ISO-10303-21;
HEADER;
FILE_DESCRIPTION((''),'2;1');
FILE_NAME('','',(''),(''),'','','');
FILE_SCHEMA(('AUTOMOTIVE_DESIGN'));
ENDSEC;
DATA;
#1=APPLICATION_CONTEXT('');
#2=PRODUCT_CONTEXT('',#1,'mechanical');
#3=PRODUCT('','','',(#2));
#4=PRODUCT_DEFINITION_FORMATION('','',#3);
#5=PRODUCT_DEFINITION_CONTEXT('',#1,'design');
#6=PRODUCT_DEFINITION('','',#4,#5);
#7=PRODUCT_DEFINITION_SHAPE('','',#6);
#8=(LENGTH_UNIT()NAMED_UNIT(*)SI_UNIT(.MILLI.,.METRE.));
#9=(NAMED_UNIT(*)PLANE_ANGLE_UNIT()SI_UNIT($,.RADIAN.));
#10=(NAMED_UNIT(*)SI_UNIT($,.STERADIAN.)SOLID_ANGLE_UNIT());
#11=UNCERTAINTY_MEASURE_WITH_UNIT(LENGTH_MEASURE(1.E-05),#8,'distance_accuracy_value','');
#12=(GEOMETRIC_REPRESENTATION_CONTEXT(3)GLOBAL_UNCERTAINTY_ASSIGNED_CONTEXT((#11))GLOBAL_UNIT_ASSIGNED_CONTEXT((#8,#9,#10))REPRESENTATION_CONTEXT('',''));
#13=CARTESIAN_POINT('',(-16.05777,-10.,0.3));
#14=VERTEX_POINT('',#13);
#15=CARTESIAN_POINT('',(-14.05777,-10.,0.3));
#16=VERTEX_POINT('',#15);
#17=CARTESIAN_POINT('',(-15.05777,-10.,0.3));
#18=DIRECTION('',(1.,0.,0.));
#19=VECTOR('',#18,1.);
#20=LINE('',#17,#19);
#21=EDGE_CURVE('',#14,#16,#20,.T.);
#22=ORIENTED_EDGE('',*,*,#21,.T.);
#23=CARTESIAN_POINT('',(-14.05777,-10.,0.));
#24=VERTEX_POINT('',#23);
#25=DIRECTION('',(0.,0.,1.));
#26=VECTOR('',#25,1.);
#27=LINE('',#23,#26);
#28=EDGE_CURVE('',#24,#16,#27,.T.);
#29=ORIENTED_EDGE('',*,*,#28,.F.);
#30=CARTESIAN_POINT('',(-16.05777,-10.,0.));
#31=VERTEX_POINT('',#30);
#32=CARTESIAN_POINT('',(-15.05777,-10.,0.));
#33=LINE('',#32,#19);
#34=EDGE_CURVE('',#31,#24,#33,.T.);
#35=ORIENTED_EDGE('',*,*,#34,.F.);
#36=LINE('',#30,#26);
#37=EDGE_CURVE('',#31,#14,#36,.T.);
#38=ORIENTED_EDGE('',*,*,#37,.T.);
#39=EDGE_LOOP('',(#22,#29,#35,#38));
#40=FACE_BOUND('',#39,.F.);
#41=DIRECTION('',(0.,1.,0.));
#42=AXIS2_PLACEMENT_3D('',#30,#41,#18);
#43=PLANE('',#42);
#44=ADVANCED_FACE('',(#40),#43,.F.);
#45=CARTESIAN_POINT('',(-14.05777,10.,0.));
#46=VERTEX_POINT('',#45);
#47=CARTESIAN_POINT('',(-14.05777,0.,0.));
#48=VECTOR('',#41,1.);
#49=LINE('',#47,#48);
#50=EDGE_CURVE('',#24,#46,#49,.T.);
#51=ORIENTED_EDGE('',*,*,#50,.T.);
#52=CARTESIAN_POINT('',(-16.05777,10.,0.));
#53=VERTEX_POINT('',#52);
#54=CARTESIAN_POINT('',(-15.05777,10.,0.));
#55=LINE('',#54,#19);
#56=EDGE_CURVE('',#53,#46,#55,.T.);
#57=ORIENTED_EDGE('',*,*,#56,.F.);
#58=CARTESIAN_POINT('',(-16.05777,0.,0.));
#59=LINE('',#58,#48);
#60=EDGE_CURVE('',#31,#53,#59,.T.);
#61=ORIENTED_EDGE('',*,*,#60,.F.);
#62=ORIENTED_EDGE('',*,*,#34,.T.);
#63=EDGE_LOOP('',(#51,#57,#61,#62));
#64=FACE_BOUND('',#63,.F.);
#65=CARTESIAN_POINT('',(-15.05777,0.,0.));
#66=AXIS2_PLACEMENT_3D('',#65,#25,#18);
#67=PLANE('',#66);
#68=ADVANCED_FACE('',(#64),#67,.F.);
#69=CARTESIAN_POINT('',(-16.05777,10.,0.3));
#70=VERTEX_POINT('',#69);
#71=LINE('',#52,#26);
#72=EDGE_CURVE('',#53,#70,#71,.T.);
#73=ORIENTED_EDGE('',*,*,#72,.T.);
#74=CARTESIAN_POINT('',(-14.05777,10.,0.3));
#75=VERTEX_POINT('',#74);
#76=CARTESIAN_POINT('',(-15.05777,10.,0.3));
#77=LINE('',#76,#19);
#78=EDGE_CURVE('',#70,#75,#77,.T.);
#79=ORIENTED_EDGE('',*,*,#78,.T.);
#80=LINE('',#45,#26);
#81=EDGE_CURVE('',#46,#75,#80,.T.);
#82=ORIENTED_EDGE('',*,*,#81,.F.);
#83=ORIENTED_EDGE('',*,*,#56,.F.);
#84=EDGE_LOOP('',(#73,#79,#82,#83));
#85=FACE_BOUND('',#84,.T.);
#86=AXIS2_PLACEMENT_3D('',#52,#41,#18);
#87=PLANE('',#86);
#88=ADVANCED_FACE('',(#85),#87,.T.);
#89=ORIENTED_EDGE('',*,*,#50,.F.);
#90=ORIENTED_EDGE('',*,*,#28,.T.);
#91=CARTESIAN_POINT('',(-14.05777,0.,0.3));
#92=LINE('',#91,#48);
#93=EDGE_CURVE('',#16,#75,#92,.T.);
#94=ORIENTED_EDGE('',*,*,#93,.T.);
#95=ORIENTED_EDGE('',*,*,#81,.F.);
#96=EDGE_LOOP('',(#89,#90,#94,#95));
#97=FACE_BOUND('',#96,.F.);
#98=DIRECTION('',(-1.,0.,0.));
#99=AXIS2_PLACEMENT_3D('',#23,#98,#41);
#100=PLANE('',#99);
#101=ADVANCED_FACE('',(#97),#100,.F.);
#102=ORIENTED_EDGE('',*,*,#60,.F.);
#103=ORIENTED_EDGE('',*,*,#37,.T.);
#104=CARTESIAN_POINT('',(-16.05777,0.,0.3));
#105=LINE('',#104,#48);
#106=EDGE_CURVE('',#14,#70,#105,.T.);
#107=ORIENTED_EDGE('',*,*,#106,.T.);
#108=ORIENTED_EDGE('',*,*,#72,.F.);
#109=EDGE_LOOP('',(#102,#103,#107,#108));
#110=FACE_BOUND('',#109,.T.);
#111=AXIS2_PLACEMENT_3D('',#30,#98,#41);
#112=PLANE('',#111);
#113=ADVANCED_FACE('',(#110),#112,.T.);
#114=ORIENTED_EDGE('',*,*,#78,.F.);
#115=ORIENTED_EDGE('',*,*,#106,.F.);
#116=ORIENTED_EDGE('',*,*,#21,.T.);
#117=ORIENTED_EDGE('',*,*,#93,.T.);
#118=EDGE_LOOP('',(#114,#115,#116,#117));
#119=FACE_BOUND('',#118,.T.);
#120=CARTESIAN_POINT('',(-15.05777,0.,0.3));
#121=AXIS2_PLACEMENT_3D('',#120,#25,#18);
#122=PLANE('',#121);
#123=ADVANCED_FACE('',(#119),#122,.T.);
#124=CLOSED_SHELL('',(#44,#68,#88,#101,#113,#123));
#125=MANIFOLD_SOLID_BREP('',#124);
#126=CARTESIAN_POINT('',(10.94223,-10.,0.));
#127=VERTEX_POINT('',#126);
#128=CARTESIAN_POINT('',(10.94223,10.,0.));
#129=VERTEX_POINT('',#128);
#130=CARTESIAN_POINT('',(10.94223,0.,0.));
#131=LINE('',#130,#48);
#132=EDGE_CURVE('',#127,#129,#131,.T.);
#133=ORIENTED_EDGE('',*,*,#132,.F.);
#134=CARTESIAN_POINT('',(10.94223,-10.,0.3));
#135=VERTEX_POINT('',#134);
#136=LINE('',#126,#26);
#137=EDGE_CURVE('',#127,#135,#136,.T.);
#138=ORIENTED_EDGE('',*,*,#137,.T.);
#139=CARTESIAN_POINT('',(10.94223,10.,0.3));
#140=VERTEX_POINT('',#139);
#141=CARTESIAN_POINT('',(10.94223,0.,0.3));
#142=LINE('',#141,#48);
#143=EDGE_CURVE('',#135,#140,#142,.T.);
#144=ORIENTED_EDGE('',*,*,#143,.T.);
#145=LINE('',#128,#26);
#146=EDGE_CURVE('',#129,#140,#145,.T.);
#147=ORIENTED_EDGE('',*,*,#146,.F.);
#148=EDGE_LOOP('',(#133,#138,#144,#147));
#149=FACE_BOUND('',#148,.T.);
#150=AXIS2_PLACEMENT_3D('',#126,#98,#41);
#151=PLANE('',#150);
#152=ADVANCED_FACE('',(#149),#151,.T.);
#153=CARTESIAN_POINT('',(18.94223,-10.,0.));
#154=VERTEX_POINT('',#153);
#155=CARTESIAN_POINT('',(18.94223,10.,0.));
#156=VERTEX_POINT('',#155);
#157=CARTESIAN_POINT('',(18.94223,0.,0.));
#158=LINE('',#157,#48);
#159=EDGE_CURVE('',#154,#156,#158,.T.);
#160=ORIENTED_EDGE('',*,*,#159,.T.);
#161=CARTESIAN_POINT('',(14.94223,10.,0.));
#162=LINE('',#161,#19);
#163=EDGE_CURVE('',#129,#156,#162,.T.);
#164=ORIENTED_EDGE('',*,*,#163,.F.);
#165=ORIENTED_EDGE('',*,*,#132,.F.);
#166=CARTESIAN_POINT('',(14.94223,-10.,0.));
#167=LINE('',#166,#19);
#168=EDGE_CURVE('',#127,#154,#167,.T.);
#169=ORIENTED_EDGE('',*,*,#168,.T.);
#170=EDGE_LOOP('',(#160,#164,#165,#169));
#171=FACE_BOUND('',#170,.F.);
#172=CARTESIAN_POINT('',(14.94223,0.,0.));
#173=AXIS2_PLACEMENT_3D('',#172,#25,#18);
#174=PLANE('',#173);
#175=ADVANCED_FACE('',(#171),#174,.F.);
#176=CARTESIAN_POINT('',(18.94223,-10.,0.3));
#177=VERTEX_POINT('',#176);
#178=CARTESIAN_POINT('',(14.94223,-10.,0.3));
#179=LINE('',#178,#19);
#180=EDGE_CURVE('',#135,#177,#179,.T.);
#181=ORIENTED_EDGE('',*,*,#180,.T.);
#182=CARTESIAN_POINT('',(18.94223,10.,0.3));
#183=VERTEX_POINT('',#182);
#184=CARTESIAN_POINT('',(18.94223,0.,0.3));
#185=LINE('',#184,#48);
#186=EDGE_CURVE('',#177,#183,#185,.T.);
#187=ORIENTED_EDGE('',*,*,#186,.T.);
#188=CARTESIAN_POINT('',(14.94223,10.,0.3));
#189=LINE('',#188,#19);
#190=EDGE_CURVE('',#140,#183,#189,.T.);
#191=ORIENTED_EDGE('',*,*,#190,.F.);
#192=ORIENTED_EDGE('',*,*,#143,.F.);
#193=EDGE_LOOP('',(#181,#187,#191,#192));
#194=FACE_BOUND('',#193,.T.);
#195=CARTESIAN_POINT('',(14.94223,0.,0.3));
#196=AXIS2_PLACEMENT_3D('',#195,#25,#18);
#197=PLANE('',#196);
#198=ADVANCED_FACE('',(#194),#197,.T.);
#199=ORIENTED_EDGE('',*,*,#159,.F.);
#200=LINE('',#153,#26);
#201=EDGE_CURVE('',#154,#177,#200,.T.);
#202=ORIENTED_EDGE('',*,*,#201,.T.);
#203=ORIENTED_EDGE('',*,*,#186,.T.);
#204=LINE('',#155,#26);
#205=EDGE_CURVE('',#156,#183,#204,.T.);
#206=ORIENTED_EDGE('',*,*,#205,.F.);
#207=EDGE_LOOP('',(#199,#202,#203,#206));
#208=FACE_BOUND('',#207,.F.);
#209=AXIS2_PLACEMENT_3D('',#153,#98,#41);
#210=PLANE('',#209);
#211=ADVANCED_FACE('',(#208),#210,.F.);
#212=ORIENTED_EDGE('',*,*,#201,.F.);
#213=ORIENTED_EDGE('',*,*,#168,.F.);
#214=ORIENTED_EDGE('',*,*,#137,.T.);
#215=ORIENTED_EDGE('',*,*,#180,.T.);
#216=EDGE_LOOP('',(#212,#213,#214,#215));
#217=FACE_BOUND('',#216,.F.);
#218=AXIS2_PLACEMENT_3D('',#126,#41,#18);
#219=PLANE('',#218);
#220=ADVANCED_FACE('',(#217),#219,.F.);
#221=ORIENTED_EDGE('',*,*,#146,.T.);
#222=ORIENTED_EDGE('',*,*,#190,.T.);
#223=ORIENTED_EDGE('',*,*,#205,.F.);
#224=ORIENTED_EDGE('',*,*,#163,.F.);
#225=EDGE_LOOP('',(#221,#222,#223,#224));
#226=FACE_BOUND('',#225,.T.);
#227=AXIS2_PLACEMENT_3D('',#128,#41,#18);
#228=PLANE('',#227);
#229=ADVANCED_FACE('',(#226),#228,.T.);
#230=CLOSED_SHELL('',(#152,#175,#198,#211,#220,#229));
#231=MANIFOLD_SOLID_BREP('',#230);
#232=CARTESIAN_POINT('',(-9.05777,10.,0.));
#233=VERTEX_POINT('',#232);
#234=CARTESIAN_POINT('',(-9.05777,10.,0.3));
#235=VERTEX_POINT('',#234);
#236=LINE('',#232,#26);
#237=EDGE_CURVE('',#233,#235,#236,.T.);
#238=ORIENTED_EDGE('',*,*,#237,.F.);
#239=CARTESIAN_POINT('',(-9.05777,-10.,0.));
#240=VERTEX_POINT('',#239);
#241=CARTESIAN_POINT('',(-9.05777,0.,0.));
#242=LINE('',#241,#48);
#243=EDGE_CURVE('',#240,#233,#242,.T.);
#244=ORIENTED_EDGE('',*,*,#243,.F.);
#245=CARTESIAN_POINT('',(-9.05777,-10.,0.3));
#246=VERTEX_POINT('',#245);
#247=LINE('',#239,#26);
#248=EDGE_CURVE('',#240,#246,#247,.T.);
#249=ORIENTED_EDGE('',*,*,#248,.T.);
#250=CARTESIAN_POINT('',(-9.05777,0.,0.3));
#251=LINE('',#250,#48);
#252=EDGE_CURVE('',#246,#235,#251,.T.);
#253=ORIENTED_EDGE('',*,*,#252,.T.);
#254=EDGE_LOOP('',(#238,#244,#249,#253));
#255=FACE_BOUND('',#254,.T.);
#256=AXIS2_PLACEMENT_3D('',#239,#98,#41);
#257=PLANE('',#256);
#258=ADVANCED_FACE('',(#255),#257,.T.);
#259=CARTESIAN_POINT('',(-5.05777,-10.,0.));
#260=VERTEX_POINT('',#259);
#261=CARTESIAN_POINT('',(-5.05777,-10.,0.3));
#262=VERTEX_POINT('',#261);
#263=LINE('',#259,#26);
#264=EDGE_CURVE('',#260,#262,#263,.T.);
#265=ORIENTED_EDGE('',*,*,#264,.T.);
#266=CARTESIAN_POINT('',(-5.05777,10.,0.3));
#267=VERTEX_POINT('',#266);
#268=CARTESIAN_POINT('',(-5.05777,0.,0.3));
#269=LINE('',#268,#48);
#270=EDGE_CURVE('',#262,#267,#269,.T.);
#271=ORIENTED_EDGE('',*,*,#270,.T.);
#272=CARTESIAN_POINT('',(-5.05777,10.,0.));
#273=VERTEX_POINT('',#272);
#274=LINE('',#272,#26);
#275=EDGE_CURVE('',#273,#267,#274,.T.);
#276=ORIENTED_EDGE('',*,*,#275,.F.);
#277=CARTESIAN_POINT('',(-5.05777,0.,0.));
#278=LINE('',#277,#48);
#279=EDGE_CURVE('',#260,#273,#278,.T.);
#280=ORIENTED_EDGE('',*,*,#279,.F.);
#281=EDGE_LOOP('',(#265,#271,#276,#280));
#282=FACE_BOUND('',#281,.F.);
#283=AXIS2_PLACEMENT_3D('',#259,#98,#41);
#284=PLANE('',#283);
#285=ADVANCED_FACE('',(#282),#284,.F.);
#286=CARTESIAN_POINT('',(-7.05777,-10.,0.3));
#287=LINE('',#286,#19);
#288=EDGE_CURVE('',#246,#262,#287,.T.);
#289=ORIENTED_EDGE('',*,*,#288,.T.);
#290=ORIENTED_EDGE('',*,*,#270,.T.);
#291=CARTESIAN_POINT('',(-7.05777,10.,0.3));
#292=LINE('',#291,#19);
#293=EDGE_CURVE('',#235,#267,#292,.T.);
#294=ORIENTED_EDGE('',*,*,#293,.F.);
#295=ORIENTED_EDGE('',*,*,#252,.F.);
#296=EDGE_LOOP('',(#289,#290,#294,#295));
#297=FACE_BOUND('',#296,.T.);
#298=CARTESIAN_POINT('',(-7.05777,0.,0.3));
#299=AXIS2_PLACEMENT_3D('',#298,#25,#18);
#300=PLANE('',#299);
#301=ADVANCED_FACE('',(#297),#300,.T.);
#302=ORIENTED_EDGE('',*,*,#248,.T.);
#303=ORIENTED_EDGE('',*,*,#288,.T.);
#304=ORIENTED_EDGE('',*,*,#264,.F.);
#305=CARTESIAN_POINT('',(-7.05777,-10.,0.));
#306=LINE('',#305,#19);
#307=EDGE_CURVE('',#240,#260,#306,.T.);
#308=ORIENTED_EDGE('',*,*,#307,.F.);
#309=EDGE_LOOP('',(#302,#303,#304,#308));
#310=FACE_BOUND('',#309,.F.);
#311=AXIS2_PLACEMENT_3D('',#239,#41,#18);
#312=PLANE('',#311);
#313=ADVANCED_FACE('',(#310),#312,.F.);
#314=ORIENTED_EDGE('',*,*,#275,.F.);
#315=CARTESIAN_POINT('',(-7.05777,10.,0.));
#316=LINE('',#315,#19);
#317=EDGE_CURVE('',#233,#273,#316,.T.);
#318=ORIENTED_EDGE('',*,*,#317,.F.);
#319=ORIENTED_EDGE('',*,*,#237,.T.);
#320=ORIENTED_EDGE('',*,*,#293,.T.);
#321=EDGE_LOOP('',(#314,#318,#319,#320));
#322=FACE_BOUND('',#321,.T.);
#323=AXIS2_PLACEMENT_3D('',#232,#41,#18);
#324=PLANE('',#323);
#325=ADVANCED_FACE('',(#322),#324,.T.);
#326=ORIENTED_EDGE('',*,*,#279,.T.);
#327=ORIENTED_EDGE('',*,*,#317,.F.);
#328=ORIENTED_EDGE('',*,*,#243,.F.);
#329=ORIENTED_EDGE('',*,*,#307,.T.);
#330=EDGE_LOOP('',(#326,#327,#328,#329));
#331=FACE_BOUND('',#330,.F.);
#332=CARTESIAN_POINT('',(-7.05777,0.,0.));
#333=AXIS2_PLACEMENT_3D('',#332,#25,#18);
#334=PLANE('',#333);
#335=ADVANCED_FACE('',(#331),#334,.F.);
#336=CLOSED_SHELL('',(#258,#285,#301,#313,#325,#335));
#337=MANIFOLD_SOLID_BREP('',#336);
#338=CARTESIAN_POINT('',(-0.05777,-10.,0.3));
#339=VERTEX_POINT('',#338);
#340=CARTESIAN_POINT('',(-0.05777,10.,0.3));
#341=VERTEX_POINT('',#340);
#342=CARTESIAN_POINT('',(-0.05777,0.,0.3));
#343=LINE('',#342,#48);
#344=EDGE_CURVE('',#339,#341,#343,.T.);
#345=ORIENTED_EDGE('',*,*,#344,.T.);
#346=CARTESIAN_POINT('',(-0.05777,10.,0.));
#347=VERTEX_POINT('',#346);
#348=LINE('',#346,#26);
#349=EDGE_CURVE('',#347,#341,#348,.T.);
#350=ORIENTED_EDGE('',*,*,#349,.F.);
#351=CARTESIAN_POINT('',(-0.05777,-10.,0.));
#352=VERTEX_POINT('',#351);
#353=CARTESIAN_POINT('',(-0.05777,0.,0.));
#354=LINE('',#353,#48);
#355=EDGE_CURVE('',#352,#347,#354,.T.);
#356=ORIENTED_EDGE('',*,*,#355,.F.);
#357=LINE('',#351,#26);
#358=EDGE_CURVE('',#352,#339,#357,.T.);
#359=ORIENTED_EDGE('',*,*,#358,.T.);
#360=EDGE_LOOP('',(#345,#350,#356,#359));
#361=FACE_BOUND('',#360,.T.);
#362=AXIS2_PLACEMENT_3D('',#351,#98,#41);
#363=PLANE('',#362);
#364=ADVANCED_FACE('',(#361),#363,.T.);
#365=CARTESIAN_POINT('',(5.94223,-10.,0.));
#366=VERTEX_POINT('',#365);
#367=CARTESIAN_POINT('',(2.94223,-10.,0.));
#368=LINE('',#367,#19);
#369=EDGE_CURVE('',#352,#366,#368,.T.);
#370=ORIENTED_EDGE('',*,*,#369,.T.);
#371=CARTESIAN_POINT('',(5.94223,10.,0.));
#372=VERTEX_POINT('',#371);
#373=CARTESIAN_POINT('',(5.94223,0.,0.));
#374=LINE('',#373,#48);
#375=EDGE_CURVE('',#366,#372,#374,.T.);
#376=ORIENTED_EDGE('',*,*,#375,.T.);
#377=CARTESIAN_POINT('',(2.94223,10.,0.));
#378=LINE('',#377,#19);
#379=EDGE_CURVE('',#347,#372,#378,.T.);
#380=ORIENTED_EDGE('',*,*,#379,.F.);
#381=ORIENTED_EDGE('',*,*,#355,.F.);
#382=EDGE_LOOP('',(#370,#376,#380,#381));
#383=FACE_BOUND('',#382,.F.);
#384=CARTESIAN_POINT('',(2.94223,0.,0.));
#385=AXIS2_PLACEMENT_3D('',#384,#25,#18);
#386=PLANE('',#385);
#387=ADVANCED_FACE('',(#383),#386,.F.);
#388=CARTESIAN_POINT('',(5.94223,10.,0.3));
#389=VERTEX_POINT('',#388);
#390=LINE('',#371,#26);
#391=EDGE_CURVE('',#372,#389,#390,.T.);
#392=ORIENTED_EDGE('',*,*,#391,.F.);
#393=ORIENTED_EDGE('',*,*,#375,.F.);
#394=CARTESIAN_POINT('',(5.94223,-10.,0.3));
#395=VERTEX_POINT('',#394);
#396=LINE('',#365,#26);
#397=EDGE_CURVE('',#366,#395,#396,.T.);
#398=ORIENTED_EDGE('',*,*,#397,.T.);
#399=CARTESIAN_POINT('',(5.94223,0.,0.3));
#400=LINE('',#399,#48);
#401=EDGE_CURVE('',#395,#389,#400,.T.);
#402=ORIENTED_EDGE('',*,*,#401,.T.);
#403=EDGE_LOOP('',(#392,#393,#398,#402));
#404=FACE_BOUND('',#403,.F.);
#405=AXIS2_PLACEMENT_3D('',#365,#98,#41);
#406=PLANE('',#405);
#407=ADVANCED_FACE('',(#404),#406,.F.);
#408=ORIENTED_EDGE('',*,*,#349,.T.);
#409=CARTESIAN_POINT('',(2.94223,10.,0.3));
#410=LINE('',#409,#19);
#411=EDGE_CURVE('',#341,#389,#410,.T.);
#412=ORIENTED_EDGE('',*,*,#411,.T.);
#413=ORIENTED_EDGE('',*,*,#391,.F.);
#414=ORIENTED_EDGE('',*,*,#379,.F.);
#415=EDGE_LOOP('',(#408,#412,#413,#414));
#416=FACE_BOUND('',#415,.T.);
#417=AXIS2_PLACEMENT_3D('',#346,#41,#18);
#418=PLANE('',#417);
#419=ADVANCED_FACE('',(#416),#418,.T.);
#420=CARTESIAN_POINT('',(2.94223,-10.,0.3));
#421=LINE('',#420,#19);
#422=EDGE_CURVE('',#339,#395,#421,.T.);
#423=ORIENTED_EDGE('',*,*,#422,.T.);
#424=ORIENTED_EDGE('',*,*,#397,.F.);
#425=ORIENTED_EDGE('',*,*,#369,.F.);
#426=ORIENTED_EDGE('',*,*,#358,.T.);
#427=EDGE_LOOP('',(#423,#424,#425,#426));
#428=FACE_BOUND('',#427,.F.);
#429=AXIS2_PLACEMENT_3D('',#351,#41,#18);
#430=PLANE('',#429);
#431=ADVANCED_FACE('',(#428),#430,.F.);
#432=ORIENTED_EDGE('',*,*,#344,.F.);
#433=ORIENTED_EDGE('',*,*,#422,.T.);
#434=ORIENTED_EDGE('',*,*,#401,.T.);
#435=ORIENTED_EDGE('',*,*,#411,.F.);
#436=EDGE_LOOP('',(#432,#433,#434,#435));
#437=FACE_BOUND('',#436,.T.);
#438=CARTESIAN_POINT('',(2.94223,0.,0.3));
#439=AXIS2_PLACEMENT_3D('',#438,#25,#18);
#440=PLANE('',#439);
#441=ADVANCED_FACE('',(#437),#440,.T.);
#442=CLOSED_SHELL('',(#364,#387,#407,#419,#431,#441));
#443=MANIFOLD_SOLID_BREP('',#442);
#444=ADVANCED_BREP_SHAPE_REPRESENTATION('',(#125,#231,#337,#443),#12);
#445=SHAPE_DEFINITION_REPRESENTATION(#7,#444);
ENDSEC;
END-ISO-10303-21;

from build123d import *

# Parameters (mm, degrees)
F0_W     = 2
F0_H     = 20
F0_W_2   = 4
F0_W_3   = 6
F0_W_4   = 8
F1_DEPTH = 0.3


with BuildPart() as f1:
    # F0 (on Top) → F1 (new body)
    with BuildSketch(Plane.XY):
        with Locations((-15.05777, 0)):
            Rectangle(F0_W, F0_H)
        with Locations((-7.05777, 0)):
            Rectangle(F0_W_2, F0_H)
        with Locations((2.94223, 0)):
            Rectangle(F0_W_3, F0_H)
        with Locations((14.94223, 0)):
            Rectangle(F0_W_4, F0_H)
    extrude(amount=F1_DEPTH)


solid = f1.part
